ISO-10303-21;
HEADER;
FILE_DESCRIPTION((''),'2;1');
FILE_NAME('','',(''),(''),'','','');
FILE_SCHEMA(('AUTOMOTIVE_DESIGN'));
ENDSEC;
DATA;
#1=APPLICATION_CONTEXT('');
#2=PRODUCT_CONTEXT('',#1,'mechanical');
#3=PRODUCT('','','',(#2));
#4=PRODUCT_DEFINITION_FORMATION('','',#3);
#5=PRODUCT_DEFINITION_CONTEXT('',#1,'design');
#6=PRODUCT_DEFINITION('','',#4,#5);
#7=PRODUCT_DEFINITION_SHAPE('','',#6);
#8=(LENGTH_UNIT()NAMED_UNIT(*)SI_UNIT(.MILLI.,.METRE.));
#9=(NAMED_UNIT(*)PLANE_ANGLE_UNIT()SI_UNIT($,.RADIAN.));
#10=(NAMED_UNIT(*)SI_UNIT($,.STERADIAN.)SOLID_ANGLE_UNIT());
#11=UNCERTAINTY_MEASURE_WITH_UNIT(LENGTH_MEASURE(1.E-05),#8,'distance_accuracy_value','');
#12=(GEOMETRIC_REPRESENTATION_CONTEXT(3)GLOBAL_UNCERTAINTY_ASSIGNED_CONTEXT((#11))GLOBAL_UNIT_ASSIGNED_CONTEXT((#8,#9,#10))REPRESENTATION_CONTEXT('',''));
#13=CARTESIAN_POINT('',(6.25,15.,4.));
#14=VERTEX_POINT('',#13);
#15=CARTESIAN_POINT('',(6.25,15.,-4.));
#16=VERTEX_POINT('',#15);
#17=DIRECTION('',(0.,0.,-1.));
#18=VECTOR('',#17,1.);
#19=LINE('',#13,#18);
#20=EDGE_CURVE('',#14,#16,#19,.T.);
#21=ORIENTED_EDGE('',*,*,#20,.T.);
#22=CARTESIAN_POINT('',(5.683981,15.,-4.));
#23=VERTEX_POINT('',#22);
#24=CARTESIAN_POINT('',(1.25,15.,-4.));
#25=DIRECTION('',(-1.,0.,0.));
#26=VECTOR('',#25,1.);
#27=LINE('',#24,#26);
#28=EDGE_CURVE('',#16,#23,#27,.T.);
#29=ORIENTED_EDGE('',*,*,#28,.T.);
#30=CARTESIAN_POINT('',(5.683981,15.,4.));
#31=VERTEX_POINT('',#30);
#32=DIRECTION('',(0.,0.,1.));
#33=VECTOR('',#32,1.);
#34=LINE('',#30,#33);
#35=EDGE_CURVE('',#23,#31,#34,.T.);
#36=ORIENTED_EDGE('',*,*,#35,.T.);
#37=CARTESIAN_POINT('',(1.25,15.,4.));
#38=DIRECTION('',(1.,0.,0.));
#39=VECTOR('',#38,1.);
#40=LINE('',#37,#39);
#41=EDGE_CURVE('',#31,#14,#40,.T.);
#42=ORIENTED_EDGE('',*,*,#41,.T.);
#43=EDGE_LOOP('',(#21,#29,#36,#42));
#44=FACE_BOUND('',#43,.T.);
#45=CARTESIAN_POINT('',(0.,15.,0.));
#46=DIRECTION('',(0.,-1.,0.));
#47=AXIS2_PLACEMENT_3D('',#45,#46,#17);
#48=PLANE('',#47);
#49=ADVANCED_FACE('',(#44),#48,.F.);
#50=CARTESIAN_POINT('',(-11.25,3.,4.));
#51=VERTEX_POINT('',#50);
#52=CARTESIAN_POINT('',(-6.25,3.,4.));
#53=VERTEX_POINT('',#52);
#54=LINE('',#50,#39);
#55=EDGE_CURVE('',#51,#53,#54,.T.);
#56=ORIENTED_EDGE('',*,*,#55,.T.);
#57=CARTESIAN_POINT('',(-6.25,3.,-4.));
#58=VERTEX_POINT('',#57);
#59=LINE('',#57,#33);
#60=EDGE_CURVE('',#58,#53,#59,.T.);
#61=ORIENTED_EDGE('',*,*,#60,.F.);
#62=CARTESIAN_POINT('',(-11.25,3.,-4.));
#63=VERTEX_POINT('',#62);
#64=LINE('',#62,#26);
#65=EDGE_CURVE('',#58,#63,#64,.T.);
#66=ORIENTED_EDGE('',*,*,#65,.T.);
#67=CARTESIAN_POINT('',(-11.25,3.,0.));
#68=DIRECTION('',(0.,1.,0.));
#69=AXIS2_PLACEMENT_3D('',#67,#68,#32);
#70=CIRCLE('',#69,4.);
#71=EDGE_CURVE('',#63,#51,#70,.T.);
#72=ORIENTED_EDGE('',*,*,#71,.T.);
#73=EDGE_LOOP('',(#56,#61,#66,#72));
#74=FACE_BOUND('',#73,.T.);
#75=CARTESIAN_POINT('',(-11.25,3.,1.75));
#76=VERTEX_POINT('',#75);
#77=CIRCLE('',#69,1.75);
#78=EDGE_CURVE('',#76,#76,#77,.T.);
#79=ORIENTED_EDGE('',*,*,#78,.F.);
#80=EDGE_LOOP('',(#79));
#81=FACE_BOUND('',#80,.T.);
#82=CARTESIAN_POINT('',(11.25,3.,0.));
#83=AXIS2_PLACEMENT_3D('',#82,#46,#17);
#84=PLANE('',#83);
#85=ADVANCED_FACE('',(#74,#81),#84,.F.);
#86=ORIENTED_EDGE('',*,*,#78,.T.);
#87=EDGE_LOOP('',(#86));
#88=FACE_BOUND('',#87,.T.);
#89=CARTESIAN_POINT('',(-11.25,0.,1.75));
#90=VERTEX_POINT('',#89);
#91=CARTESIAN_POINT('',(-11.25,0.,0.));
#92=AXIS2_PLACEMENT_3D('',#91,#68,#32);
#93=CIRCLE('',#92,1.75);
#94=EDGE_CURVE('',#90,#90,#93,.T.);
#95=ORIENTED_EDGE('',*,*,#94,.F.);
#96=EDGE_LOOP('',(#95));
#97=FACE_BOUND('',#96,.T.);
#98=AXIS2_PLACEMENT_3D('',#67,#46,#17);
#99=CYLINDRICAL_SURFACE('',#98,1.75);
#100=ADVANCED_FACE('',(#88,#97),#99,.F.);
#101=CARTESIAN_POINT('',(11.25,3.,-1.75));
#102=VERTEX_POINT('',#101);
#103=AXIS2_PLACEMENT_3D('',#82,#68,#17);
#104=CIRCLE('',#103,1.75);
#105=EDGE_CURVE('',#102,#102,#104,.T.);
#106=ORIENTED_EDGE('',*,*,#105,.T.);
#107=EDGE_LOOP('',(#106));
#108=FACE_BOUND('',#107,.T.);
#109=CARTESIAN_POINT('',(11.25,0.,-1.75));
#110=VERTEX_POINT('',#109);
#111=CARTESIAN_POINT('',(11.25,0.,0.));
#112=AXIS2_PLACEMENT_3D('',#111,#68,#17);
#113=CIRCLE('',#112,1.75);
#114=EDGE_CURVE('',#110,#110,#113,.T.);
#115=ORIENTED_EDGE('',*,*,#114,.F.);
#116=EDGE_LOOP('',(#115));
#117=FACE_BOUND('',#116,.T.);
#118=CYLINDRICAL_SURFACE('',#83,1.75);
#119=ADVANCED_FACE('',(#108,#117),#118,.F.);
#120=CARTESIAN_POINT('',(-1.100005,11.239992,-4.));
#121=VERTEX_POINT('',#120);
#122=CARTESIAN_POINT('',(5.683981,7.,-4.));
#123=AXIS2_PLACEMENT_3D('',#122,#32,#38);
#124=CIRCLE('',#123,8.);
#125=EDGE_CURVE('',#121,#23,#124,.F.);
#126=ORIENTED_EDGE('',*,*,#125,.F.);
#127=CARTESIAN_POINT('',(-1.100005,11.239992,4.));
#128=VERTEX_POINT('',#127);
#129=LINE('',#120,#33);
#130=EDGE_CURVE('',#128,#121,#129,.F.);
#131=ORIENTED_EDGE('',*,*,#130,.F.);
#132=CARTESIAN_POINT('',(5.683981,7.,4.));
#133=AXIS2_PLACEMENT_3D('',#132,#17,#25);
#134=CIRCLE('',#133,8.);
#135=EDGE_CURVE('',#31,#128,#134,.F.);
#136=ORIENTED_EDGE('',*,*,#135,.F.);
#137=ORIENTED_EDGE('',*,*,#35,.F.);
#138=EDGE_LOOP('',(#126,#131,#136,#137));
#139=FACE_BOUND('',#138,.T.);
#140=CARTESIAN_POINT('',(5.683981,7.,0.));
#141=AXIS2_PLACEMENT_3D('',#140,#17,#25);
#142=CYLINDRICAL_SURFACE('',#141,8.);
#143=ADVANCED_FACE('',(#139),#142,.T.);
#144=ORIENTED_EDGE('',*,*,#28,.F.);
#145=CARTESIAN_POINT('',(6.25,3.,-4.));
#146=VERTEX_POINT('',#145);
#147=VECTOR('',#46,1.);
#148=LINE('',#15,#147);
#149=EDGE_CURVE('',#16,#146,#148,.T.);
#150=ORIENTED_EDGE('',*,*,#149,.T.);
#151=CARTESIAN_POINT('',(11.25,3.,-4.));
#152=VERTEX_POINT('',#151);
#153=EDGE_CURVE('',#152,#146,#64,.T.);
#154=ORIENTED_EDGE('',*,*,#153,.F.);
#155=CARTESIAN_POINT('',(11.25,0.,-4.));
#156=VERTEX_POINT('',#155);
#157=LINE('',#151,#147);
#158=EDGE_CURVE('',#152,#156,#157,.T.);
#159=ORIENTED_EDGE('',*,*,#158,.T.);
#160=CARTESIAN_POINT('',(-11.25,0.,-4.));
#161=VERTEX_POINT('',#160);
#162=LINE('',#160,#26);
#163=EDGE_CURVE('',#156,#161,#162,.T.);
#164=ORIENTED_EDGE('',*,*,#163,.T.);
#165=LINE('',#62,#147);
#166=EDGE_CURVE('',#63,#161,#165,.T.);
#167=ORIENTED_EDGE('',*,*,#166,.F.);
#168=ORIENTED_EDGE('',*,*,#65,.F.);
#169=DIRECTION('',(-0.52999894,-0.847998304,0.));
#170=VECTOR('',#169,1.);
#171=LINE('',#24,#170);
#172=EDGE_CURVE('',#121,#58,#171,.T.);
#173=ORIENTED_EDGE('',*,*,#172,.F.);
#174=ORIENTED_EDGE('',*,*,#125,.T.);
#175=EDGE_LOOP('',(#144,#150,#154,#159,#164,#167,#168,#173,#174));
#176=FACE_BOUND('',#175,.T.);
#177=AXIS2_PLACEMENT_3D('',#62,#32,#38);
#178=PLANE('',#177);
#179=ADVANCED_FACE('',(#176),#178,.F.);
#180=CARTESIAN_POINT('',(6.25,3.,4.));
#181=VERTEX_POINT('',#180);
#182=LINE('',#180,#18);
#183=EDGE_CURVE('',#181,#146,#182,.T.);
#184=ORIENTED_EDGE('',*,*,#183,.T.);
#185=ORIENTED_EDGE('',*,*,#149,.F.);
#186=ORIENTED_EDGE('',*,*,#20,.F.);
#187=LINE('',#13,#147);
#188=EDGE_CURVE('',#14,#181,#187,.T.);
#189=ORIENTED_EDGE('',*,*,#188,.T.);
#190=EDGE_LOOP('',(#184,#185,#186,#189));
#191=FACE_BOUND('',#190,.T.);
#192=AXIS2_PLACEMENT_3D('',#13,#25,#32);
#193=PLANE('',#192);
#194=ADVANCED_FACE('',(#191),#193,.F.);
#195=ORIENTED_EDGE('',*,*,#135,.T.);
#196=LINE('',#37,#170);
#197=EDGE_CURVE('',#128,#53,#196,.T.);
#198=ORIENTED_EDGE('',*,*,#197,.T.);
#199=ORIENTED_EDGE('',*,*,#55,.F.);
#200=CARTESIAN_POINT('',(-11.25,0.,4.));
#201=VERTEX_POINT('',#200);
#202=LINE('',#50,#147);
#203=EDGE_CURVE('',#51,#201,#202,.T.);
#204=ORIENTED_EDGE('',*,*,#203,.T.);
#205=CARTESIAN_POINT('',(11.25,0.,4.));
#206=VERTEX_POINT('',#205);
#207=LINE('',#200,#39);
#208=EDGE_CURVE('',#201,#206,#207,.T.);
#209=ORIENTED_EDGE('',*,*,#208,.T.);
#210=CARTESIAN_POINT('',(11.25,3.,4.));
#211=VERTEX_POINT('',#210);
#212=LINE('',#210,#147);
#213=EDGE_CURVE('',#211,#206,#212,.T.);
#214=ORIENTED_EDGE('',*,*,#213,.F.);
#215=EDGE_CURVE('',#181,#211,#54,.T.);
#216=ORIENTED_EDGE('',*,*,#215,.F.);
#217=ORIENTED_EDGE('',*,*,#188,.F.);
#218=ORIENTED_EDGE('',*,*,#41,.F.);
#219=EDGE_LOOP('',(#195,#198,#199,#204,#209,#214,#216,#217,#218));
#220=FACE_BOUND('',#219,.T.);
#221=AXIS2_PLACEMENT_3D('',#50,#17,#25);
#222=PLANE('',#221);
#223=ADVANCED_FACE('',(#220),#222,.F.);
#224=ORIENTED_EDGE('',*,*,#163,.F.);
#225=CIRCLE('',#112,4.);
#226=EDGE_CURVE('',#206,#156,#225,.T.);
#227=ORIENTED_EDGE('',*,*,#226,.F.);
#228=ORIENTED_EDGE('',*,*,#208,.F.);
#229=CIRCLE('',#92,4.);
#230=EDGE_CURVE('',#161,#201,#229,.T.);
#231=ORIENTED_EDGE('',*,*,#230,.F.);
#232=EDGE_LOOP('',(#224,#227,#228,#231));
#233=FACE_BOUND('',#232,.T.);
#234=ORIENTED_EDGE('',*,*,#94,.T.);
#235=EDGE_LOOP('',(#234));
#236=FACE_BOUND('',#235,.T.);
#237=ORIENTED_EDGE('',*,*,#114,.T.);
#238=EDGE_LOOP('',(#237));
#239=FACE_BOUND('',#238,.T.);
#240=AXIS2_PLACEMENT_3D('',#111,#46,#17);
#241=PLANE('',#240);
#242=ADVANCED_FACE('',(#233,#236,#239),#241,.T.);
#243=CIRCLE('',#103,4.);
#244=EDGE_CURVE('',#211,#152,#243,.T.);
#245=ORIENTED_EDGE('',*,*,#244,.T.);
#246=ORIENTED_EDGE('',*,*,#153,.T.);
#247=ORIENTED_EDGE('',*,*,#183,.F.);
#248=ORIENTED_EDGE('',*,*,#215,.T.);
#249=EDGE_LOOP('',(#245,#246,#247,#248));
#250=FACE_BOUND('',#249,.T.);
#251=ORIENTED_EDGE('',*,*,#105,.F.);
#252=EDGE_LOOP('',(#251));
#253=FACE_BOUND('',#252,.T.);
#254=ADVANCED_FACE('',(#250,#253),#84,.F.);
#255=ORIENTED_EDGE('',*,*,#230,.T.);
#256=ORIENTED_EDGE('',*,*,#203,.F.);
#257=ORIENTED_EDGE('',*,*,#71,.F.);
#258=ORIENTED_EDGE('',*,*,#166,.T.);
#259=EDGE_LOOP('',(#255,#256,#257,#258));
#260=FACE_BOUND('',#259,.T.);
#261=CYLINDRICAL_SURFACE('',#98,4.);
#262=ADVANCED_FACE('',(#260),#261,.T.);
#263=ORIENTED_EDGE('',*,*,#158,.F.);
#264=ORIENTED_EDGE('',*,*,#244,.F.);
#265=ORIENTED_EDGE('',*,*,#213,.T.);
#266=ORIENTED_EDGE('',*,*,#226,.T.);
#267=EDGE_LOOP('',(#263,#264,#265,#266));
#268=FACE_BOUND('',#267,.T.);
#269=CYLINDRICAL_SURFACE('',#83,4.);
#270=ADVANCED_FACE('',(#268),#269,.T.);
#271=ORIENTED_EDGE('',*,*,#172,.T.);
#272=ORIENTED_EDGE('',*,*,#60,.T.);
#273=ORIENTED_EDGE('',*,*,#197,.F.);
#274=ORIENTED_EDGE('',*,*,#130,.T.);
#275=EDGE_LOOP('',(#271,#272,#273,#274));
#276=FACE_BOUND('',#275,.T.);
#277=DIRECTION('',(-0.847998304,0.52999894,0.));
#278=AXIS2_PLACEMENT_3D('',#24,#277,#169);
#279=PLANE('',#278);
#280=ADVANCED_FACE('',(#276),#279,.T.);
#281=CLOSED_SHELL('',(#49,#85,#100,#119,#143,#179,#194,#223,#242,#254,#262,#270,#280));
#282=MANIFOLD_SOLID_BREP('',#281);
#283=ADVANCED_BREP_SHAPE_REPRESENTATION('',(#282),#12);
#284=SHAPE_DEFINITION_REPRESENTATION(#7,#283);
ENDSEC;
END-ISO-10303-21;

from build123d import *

# Parameters (mm, degrees)
SKETCH1_R           = 1.75
BOSS_EXTRUDE1_DEPTH = 3
SKETCH2_W           = 5
SKETCH2_H           = 8
BOSS_EXTRUDE2_DEPTH = 12
BOSS_EXTRUDE3_DEPTH = 8
FILLET2_R           = 8


with BuildPart() as part:
    # Sketch1 → Boss-Extrude1 (new body)
    with BuildSketch(Plane(origin=(0, 0, 0), x_dir=(1, 0, 0), z_dir=(0, 1, 0))):
        with BuildLine():
            Line((-11.25, -4), (11.25, -4))
            ThreePointArc((11.25, -4), (15.25, 0), (11.25, 4))
            Line((11.25, 4), (-11.25, 4))
            ThreePointArc((-11.25, 4), (-15.25, 0), (-11.25, -4))
        make_face()
        with Locations((-11.25, 0)):
            Circle(SKETCH1_R, mode=Mode.SUBTRACT)
        with Locations((11.25, 0)):
            Circle(SKETCH1_R, mode=Mode.SUBTRACT)
    extrude(amount=BOSS_EXTRUDE1_DEPTH)

    # Sketch2 → Boss-Extrude2 (add)
    with BuildSketch(Plane(origin=(0, 3, 0), x_dir=(1, 0, 0), z_dir=(0, 1, 0))):
        with Locations((3.75, 0)):
            Rectangle(SKETCH2_W, SKETCH2_H)
    extrude(amount=BOSS_EXTRUDE2_DEPTH)

    # Sketch3 → Boss-Extrude3 (add)
    with BuildSketch(Plane.XY.offset(4)):
        Polygon((1.25, 15), (-6.25, 3), (1.25, 3), align=None)
    extrude(amount=-BOSS_EXTRUDE3_DEPTH)

    # Fillet2
    fillet2_edges = [part.edges().sort_by_distance(p)[0] for p in [
        (1.25, 15, 0),
    ]]
    fillet(fillet2_edges, radius=FILLET2_R)


solid = part.part
